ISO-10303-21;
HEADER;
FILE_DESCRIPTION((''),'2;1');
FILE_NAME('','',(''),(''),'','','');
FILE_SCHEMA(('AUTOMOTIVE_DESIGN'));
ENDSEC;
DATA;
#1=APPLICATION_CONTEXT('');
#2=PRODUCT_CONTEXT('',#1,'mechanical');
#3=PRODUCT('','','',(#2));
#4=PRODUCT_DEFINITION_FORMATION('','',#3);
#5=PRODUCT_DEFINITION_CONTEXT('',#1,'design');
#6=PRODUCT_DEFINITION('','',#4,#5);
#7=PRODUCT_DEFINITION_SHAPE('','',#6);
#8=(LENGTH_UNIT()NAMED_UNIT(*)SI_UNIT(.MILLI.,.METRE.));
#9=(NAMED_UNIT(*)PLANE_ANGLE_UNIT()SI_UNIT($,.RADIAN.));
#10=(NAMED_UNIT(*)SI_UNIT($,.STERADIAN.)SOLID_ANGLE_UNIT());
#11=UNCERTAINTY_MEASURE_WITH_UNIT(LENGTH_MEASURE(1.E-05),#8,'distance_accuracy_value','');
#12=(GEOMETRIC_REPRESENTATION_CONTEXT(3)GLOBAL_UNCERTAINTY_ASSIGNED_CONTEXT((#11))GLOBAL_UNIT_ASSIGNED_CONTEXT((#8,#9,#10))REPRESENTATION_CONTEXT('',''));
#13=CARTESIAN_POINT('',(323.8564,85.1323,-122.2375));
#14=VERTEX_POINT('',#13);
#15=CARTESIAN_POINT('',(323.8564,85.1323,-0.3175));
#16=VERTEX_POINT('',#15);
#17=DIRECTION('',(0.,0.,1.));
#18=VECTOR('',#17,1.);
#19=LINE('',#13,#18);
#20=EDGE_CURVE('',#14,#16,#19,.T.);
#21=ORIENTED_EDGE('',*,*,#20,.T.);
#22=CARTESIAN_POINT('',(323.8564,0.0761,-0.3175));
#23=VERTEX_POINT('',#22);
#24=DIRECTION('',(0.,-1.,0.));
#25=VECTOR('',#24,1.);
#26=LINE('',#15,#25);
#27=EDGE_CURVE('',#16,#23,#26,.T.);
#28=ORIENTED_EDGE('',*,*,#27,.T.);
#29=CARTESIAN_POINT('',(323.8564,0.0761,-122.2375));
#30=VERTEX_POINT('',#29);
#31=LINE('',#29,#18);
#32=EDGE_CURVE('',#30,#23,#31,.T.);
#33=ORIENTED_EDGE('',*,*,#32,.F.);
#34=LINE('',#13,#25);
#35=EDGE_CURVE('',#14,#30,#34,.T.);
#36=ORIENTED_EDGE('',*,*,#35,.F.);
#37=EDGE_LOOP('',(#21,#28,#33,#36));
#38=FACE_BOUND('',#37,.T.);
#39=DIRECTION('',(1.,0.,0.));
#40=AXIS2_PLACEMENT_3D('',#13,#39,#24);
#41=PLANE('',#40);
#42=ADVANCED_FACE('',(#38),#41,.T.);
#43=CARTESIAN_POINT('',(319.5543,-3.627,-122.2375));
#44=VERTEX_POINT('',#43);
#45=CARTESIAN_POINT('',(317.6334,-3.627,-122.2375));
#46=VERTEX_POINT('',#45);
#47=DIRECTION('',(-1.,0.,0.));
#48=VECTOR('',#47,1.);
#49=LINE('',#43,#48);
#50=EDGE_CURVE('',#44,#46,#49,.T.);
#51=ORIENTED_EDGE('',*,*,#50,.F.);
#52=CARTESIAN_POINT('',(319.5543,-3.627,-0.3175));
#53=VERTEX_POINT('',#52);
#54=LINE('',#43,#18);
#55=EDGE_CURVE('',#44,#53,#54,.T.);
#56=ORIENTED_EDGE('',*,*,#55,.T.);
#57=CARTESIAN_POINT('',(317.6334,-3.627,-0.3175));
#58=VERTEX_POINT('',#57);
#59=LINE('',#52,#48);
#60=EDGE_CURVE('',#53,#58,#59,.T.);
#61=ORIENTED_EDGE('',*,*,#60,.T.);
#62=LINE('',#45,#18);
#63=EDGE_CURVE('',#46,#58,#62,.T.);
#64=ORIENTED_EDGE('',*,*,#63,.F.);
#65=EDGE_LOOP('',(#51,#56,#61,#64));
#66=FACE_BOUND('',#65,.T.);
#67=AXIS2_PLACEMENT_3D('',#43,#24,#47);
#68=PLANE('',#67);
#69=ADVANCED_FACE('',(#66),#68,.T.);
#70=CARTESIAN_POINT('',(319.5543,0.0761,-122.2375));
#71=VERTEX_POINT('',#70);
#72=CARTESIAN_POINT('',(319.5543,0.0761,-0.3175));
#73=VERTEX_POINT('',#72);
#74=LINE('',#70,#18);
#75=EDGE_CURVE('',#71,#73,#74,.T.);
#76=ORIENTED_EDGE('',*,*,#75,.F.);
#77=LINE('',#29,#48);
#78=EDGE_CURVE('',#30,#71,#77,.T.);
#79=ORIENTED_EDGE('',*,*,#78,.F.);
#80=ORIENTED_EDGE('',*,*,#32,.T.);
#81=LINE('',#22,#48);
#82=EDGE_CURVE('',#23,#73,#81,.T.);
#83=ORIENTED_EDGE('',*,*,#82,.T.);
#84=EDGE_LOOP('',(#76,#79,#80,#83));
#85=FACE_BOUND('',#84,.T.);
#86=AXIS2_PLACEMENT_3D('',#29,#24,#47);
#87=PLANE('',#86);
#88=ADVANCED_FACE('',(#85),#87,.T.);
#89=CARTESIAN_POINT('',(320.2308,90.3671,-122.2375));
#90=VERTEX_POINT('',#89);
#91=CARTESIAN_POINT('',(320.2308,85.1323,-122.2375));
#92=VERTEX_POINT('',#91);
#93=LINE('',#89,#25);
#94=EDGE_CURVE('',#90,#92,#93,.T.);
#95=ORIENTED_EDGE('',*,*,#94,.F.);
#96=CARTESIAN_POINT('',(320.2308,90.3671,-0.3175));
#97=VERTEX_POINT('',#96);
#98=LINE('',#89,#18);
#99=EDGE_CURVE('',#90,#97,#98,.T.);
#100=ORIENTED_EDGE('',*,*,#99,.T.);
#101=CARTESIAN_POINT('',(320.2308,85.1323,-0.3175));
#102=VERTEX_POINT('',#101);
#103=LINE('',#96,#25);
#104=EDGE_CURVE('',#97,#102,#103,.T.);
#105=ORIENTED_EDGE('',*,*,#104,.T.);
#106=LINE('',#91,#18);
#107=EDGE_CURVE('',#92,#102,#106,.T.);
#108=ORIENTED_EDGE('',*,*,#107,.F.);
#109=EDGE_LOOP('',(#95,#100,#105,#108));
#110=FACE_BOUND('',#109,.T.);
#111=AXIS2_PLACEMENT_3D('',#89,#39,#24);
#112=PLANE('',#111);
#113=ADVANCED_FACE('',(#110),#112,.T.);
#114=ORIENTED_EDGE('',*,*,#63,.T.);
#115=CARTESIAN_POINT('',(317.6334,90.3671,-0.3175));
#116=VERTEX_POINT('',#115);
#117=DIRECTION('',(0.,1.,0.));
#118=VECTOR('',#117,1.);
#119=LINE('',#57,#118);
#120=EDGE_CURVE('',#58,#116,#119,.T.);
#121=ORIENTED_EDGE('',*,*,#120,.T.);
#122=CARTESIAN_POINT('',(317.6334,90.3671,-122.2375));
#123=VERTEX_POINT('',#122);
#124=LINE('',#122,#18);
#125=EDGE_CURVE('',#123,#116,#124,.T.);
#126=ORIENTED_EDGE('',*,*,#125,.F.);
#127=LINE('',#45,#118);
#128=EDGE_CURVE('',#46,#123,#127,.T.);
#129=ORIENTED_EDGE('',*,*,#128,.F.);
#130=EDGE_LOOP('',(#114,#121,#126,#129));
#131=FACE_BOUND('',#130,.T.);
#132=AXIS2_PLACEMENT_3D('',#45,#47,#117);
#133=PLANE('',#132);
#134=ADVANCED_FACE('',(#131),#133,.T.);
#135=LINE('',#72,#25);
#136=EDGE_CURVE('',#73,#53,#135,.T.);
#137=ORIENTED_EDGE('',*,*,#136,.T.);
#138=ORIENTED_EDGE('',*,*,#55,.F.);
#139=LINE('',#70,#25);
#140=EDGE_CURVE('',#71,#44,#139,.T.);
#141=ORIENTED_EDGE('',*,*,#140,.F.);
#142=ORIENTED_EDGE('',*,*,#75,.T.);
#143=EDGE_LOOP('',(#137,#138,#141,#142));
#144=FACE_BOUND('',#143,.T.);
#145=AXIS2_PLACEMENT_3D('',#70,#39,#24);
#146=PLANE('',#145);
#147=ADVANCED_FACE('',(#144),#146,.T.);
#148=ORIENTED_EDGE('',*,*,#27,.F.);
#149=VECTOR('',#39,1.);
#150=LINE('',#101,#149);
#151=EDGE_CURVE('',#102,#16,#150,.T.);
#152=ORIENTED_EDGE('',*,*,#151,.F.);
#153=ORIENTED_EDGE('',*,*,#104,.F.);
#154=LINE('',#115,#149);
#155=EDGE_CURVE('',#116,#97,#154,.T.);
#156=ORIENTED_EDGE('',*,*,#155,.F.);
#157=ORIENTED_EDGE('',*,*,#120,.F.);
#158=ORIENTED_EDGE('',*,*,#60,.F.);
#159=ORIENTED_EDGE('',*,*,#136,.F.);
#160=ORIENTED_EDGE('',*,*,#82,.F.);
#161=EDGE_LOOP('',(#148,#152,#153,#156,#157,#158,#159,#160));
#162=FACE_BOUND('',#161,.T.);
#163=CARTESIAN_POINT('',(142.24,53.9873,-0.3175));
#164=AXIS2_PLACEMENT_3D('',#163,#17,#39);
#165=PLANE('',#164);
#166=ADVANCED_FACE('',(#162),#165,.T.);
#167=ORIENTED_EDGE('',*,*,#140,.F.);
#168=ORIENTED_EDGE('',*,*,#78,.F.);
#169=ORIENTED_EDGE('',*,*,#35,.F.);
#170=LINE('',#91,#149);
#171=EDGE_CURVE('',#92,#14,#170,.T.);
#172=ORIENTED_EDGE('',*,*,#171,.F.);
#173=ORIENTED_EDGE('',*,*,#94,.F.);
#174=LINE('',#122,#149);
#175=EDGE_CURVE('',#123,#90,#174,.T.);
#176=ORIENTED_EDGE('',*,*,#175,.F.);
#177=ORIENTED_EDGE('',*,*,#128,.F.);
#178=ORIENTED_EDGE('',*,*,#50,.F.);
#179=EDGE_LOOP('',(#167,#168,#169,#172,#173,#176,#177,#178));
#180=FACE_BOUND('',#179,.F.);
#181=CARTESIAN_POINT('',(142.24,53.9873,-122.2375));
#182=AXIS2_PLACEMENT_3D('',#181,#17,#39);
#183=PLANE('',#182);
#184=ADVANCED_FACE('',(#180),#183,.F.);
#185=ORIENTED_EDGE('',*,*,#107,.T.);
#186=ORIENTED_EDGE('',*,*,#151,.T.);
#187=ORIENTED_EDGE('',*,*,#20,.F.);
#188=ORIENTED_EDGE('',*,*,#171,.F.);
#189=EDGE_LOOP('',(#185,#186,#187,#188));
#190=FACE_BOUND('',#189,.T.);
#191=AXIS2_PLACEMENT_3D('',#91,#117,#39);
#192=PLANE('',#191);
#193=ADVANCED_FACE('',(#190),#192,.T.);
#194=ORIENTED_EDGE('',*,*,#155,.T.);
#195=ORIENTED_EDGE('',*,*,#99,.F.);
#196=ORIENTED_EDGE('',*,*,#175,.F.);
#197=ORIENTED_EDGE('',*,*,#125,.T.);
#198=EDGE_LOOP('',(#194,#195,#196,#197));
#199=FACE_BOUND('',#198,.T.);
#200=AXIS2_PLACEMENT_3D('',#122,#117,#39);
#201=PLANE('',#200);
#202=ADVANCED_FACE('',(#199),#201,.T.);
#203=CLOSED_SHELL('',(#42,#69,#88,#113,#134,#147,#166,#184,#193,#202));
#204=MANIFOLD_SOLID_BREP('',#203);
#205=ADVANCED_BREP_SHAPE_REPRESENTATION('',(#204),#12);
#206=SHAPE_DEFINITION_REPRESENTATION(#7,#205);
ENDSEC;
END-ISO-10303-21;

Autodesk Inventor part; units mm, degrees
ref_plane "YZ Plane" through (0, 0, 0) normal (1, 0, 0) x (0, 1, 0)
ref_plane "XZ Plane" through (0, 0, 0) normal (0, 1, 0) x (-1, 0, 0)
ref_plane "XY Plane" through (0, 0, 0) normal (0, 0, 1) x (1, 0, 0)
ref_plane "Work Plane1" through (142.24, 53.9873, -122.2375) normal (0, 0, 1) x (1, 0, 0)
sketch "Sketch1" plane through (142.24, 53.9873, -122.2375) normal (0, 0, 1) x (1, 0, 0)
  line L0 (174.6949, 37.0783) -> (178.6893, 37.0783) projected
  line L1 (174.6949, -58.3128) -> (174.6949, 37.0783) projected
  line L2 (178.0128, -58.3128) -> (174.6949, -58.3128) projected
  line L3 (178.0128, -54.6097) -> (178.0128, -58.3128) projected
  line L4 (182.3149, -54.6097) -> (178.0128, -54.6097) projected
  line L5 (182.3149, 31.8435) -> (182.3149, -54.6097) projected
  line L6 (178.6893, 31.8435) -> (182.3149, 31.8435) projected
  line L7 (178.6893, 37.0783) -> (178.6893, 31.8435) projected
  line L8 (181.6164, -53.9112) -> (177.3143, -53.9112)
  line L9 (177.3143, -53.9112) -> (177.3143, -57.6143)
  line L10 (177.3143, -57.6143) -> (175.3934, -57.6143)
  line L11 (175.3934, -57.6143) -> (175.3934, 36.3798)
  line L12 (175.3934, 36.3798) -> (177.9908, 36.3798)
  line L13 (177.9908, 36.3798) -> (177.9908, 31.145)
  line L14 (177.9908, 31.145) -> (181.6164, 31.145)
  line L15 (181.6164, 31.145) -> (181.6164, -53.9112)
  point P0 (-142.24, -53.9873)
  dimension "d0" = 0.6985
extrude "Extrusion1" add sketch "Sketch1" along normal blind 121.92 contours L8 L9 L10 L11 L12 L13 L14 L15
properties part number "Panel"
